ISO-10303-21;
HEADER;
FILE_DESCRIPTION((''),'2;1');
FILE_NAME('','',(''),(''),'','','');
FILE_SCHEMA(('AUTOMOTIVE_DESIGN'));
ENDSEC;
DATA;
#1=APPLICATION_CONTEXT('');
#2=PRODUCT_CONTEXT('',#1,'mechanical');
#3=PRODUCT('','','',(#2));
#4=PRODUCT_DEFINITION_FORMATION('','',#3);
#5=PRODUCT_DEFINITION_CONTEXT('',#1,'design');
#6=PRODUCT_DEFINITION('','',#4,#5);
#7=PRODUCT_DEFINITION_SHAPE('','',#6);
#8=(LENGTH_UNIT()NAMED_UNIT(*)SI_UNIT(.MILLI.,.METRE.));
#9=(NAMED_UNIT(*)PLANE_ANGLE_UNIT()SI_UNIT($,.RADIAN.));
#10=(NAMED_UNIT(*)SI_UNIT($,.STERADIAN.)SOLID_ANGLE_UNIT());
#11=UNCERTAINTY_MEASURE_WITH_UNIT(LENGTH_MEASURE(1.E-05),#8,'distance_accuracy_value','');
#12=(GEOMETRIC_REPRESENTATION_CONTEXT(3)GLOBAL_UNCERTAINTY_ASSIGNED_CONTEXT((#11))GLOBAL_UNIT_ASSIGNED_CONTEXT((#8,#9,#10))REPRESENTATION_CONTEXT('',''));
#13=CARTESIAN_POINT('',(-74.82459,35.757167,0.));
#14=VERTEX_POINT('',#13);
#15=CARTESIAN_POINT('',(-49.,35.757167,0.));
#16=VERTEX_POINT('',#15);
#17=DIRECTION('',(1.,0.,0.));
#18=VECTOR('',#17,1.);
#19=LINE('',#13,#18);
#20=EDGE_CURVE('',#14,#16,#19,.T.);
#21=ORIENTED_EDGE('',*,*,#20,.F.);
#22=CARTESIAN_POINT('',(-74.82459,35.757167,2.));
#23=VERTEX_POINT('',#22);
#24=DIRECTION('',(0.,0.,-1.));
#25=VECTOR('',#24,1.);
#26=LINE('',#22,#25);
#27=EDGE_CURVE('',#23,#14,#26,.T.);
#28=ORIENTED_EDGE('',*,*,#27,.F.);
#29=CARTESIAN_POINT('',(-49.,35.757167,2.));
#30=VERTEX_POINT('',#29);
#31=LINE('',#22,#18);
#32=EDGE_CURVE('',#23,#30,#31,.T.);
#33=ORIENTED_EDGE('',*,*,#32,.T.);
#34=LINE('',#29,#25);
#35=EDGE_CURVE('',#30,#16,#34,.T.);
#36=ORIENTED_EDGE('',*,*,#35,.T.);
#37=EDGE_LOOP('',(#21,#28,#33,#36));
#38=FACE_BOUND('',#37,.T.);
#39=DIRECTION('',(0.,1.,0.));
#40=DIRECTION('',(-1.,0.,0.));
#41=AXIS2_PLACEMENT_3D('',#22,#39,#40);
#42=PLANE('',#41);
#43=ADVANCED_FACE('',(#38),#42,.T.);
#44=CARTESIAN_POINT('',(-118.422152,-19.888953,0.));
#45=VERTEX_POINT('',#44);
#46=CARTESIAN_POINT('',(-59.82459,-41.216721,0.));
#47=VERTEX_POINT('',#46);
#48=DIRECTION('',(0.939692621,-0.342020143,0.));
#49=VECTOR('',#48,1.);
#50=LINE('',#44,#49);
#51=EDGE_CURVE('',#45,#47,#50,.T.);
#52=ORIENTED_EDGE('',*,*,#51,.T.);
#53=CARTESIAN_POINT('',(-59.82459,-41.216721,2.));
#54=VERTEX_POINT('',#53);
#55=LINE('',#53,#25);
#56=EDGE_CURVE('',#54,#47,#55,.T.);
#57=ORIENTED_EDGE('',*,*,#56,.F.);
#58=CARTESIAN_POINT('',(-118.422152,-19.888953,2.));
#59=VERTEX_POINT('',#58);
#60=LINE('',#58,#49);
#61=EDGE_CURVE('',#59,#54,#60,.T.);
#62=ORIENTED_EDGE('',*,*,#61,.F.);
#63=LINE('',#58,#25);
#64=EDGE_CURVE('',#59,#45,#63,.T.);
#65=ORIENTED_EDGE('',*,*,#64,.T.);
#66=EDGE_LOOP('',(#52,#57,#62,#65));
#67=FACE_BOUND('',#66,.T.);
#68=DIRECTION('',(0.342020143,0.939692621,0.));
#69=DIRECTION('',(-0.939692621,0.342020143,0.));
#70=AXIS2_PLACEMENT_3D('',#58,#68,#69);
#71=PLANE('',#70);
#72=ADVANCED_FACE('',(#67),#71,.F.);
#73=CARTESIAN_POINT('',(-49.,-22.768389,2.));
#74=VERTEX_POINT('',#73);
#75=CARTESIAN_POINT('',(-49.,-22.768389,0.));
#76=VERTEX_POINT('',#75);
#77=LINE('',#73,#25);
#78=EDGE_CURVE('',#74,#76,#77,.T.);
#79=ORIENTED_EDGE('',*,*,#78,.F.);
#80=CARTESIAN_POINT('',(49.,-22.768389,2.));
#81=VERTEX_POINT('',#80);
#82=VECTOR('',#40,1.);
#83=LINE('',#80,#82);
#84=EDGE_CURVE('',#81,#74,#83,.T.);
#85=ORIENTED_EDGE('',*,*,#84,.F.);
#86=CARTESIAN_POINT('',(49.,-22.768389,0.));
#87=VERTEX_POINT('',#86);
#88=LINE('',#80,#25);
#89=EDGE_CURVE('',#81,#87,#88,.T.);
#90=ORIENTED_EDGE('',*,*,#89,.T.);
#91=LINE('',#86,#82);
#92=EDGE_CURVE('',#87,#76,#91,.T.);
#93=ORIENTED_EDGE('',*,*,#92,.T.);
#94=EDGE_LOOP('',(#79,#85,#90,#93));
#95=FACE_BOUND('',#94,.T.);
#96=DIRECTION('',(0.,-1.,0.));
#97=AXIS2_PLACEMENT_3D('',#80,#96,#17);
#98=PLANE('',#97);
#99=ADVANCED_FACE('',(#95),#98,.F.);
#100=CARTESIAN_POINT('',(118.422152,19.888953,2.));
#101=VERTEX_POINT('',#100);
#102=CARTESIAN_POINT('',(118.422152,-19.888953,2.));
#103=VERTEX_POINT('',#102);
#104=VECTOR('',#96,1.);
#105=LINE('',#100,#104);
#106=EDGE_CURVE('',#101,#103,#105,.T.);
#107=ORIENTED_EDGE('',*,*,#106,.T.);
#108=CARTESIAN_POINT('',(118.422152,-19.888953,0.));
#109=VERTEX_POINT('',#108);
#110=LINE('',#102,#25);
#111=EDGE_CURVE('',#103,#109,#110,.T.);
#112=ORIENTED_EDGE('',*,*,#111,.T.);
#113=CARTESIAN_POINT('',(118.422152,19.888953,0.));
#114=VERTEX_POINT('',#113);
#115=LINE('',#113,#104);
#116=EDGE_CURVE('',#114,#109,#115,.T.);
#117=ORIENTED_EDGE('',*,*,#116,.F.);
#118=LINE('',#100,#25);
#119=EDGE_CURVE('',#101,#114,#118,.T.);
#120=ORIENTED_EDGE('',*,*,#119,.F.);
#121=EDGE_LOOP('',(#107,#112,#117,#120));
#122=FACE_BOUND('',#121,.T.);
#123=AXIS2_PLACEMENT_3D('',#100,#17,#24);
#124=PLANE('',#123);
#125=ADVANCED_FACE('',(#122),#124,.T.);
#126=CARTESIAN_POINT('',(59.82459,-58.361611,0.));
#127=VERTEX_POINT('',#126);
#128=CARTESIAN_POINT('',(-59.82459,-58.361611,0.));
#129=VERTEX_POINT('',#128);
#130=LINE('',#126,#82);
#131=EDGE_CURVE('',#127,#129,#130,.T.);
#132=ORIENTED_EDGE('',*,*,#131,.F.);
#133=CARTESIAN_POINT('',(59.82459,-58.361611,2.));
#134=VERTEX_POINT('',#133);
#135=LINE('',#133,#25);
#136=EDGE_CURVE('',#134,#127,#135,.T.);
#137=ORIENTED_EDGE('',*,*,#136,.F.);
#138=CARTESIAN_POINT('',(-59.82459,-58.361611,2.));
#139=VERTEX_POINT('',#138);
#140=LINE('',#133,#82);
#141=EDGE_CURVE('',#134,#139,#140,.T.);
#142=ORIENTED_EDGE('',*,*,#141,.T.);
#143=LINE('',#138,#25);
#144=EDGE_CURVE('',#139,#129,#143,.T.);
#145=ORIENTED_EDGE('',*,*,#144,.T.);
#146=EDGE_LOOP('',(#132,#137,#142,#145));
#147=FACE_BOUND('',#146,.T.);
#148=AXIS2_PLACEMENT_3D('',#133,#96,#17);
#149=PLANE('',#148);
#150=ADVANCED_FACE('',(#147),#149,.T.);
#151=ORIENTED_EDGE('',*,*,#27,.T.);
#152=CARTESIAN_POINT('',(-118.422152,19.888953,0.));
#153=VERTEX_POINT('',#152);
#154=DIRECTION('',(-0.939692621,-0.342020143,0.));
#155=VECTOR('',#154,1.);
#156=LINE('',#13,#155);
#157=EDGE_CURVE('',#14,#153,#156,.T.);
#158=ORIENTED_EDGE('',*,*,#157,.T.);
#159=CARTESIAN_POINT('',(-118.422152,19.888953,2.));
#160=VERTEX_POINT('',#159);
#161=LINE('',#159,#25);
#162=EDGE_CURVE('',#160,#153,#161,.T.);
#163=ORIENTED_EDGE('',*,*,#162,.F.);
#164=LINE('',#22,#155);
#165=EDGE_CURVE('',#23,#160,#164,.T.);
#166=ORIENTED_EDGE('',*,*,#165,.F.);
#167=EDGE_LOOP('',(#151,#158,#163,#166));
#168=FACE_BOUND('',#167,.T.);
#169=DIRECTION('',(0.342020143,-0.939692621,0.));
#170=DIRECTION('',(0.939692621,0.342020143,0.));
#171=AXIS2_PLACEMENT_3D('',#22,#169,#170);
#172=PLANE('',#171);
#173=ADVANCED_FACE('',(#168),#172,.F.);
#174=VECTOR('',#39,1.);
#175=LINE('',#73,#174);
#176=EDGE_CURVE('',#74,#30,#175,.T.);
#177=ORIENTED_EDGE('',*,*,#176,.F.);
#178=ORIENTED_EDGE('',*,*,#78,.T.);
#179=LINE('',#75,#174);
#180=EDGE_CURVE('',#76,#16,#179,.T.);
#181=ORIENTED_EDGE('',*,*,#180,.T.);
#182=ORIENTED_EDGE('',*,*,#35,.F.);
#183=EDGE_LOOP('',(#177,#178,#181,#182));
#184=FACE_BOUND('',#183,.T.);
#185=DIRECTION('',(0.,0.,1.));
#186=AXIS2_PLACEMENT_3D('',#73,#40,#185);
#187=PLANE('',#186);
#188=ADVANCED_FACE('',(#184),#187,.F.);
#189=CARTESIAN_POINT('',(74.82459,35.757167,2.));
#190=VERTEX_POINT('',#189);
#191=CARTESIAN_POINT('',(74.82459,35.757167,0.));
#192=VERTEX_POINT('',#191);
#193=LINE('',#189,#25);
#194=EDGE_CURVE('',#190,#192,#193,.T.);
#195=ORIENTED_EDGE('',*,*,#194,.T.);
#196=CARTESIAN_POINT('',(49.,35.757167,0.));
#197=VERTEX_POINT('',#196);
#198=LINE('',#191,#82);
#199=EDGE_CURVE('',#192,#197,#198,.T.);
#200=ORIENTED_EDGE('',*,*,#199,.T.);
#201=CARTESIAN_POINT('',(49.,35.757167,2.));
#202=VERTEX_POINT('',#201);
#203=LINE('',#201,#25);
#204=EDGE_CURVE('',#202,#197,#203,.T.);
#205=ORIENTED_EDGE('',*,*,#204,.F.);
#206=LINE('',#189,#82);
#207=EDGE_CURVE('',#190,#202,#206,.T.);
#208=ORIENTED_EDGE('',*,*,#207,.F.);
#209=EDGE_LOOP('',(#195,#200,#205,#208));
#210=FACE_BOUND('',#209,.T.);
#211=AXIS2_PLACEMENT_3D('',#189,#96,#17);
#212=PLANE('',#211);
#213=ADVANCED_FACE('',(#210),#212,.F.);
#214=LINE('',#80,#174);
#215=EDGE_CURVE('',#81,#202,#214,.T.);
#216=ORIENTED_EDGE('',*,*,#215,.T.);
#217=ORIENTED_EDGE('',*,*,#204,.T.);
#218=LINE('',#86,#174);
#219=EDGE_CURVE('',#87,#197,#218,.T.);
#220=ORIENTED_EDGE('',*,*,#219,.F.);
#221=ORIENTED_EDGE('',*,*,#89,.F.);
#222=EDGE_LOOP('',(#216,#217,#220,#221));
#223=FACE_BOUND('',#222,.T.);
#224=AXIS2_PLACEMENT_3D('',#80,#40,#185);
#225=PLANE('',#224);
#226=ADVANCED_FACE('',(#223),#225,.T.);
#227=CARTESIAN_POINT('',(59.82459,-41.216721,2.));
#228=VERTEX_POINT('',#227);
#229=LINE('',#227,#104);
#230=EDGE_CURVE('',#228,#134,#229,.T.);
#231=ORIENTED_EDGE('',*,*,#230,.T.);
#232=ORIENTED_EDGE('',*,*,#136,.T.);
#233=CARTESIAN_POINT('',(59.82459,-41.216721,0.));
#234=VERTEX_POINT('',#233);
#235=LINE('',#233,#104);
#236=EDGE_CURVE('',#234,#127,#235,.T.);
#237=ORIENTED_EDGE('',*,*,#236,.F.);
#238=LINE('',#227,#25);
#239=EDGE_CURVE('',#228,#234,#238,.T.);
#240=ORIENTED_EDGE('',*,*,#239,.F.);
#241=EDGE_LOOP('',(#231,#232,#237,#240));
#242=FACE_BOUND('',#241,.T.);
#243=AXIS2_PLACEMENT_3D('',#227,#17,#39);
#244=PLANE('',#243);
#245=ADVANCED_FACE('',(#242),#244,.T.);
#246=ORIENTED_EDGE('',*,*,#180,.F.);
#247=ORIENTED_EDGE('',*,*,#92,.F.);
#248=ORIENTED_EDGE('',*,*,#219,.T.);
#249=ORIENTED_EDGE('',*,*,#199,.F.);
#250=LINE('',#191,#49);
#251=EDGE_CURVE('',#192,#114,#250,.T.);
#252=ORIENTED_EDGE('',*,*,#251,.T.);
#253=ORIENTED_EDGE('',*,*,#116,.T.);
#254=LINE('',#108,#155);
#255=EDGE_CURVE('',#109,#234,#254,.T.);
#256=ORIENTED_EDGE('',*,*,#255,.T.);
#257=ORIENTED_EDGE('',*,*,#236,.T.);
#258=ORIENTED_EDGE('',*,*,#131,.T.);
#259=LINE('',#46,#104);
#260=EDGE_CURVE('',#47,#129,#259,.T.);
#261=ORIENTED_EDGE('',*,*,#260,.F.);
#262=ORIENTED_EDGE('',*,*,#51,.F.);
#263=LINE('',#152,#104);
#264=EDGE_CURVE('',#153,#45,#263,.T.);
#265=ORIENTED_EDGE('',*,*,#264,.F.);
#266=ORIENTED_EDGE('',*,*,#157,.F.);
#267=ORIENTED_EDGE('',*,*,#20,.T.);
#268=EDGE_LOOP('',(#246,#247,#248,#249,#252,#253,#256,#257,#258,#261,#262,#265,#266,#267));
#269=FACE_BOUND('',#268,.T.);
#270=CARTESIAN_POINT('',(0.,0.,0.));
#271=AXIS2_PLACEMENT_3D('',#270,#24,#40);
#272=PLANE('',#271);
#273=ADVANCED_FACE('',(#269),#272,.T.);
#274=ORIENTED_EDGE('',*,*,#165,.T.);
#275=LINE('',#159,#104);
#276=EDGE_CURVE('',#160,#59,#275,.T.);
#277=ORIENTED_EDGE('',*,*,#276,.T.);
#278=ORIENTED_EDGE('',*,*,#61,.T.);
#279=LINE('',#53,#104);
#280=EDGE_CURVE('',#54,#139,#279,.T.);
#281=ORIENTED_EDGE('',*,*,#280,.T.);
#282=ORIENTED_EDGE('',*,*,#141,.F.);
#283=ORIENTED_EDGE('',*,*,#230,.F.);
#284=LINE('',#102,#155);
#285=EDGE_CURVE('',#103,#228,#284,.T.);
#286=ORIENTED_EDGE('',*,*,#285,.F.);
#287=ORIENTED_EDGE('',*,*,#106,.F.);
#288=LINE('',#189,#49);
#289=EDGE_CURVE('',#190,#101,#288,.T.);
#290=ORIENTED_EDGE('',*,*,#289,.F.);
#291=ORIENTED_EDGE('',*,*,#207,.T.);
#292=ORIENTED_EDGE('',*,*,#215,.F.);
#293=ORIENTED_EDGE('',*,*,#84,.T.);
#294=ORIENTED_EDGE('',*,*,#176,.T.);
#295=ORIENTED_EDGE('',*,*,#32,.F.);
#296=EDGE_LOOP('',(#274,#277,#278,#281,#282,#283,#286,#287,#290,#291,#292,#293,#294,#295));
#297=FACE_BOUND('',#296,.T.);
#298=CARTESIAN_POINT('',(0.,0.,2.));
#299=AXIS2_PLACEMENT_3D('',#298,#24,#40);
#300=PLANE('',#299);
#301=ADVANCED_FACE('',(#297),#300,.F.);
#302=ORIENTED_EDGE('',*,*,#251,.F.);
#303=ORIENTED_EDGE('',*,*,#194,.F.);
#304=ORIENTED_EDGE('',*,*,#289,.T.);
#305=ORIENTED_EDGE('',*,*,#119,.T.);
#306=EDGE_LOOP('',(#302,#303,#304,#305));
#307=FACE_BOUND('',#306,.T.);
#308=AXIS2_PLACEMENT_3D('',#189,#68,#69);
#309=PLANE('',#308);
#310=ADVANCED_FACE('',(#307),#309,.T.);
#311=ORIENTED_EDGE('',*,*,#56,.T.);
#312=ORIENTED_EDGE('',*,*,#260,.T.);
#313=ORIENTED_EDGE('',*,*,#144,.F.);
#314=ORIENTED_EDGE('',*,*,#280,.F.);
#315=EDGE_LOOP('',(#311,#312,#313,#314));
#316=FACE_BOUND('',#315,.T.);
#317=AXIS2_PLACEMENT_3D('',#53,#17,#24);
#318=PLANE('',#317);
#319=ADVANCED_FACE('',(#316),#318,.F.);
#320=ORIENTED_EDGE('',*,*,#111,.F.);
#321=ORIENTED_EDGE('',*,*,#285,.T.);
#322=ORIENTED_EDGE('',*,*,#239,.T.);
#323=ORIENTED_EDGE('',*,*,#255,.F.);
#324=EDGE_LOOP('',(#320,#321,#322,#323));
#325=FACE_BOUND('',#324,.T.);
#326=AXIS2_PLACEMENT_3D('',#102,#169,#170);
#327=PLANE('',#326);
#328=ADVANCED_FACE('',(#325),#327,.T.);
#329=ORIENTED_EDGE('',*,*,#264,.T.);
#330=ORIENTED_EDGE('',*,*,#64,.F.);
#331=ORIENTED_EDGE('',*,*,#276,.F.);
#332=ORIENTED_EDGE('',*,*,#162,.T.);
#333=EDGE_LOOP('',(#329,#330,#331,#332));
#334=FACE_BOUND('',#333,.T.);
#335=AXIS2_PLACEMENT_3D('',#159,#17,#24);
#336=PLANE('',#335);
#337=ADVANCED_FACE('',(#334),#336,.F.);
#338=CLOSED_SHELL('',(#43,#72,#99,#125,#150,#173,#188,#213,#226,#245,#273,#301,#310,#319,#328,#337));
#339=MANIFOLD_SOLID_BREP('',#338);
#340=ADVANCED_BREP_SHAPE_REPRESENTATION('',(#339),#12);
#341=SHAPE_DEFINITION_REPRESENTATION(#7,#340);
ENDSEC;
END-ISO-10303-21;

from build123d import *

# Parameters (mm, degrees)
BOSS_EXTRU_1_DEPTH = 2


with BuildPart() as part:
    # Esquisse1 → Boss.-Extru.1 (new body)
    with BuildSketch(Plane.XY):
        Polygon((59.824590337, -58.361611466), (-59.824590337, -58.361611466), (-59.824590337, -41.216720668), (-118.422151654, -19.888952548), (-118.422151654, 19.888952548), (-74.824590337, 35.757167154), (-49, 35.757167154), (-49, -22.768388534), (49, -22.768388534), (49, 35.757167154), (74.824590337, 35.757167154), (118.422151654, 19.888952548), (118.422151654, -19.888952548), (59.824590337, -41.216720668), align=None)
    extrude(amount=BOSS_EXTRU_1_DEPTH)


solid = part.part
